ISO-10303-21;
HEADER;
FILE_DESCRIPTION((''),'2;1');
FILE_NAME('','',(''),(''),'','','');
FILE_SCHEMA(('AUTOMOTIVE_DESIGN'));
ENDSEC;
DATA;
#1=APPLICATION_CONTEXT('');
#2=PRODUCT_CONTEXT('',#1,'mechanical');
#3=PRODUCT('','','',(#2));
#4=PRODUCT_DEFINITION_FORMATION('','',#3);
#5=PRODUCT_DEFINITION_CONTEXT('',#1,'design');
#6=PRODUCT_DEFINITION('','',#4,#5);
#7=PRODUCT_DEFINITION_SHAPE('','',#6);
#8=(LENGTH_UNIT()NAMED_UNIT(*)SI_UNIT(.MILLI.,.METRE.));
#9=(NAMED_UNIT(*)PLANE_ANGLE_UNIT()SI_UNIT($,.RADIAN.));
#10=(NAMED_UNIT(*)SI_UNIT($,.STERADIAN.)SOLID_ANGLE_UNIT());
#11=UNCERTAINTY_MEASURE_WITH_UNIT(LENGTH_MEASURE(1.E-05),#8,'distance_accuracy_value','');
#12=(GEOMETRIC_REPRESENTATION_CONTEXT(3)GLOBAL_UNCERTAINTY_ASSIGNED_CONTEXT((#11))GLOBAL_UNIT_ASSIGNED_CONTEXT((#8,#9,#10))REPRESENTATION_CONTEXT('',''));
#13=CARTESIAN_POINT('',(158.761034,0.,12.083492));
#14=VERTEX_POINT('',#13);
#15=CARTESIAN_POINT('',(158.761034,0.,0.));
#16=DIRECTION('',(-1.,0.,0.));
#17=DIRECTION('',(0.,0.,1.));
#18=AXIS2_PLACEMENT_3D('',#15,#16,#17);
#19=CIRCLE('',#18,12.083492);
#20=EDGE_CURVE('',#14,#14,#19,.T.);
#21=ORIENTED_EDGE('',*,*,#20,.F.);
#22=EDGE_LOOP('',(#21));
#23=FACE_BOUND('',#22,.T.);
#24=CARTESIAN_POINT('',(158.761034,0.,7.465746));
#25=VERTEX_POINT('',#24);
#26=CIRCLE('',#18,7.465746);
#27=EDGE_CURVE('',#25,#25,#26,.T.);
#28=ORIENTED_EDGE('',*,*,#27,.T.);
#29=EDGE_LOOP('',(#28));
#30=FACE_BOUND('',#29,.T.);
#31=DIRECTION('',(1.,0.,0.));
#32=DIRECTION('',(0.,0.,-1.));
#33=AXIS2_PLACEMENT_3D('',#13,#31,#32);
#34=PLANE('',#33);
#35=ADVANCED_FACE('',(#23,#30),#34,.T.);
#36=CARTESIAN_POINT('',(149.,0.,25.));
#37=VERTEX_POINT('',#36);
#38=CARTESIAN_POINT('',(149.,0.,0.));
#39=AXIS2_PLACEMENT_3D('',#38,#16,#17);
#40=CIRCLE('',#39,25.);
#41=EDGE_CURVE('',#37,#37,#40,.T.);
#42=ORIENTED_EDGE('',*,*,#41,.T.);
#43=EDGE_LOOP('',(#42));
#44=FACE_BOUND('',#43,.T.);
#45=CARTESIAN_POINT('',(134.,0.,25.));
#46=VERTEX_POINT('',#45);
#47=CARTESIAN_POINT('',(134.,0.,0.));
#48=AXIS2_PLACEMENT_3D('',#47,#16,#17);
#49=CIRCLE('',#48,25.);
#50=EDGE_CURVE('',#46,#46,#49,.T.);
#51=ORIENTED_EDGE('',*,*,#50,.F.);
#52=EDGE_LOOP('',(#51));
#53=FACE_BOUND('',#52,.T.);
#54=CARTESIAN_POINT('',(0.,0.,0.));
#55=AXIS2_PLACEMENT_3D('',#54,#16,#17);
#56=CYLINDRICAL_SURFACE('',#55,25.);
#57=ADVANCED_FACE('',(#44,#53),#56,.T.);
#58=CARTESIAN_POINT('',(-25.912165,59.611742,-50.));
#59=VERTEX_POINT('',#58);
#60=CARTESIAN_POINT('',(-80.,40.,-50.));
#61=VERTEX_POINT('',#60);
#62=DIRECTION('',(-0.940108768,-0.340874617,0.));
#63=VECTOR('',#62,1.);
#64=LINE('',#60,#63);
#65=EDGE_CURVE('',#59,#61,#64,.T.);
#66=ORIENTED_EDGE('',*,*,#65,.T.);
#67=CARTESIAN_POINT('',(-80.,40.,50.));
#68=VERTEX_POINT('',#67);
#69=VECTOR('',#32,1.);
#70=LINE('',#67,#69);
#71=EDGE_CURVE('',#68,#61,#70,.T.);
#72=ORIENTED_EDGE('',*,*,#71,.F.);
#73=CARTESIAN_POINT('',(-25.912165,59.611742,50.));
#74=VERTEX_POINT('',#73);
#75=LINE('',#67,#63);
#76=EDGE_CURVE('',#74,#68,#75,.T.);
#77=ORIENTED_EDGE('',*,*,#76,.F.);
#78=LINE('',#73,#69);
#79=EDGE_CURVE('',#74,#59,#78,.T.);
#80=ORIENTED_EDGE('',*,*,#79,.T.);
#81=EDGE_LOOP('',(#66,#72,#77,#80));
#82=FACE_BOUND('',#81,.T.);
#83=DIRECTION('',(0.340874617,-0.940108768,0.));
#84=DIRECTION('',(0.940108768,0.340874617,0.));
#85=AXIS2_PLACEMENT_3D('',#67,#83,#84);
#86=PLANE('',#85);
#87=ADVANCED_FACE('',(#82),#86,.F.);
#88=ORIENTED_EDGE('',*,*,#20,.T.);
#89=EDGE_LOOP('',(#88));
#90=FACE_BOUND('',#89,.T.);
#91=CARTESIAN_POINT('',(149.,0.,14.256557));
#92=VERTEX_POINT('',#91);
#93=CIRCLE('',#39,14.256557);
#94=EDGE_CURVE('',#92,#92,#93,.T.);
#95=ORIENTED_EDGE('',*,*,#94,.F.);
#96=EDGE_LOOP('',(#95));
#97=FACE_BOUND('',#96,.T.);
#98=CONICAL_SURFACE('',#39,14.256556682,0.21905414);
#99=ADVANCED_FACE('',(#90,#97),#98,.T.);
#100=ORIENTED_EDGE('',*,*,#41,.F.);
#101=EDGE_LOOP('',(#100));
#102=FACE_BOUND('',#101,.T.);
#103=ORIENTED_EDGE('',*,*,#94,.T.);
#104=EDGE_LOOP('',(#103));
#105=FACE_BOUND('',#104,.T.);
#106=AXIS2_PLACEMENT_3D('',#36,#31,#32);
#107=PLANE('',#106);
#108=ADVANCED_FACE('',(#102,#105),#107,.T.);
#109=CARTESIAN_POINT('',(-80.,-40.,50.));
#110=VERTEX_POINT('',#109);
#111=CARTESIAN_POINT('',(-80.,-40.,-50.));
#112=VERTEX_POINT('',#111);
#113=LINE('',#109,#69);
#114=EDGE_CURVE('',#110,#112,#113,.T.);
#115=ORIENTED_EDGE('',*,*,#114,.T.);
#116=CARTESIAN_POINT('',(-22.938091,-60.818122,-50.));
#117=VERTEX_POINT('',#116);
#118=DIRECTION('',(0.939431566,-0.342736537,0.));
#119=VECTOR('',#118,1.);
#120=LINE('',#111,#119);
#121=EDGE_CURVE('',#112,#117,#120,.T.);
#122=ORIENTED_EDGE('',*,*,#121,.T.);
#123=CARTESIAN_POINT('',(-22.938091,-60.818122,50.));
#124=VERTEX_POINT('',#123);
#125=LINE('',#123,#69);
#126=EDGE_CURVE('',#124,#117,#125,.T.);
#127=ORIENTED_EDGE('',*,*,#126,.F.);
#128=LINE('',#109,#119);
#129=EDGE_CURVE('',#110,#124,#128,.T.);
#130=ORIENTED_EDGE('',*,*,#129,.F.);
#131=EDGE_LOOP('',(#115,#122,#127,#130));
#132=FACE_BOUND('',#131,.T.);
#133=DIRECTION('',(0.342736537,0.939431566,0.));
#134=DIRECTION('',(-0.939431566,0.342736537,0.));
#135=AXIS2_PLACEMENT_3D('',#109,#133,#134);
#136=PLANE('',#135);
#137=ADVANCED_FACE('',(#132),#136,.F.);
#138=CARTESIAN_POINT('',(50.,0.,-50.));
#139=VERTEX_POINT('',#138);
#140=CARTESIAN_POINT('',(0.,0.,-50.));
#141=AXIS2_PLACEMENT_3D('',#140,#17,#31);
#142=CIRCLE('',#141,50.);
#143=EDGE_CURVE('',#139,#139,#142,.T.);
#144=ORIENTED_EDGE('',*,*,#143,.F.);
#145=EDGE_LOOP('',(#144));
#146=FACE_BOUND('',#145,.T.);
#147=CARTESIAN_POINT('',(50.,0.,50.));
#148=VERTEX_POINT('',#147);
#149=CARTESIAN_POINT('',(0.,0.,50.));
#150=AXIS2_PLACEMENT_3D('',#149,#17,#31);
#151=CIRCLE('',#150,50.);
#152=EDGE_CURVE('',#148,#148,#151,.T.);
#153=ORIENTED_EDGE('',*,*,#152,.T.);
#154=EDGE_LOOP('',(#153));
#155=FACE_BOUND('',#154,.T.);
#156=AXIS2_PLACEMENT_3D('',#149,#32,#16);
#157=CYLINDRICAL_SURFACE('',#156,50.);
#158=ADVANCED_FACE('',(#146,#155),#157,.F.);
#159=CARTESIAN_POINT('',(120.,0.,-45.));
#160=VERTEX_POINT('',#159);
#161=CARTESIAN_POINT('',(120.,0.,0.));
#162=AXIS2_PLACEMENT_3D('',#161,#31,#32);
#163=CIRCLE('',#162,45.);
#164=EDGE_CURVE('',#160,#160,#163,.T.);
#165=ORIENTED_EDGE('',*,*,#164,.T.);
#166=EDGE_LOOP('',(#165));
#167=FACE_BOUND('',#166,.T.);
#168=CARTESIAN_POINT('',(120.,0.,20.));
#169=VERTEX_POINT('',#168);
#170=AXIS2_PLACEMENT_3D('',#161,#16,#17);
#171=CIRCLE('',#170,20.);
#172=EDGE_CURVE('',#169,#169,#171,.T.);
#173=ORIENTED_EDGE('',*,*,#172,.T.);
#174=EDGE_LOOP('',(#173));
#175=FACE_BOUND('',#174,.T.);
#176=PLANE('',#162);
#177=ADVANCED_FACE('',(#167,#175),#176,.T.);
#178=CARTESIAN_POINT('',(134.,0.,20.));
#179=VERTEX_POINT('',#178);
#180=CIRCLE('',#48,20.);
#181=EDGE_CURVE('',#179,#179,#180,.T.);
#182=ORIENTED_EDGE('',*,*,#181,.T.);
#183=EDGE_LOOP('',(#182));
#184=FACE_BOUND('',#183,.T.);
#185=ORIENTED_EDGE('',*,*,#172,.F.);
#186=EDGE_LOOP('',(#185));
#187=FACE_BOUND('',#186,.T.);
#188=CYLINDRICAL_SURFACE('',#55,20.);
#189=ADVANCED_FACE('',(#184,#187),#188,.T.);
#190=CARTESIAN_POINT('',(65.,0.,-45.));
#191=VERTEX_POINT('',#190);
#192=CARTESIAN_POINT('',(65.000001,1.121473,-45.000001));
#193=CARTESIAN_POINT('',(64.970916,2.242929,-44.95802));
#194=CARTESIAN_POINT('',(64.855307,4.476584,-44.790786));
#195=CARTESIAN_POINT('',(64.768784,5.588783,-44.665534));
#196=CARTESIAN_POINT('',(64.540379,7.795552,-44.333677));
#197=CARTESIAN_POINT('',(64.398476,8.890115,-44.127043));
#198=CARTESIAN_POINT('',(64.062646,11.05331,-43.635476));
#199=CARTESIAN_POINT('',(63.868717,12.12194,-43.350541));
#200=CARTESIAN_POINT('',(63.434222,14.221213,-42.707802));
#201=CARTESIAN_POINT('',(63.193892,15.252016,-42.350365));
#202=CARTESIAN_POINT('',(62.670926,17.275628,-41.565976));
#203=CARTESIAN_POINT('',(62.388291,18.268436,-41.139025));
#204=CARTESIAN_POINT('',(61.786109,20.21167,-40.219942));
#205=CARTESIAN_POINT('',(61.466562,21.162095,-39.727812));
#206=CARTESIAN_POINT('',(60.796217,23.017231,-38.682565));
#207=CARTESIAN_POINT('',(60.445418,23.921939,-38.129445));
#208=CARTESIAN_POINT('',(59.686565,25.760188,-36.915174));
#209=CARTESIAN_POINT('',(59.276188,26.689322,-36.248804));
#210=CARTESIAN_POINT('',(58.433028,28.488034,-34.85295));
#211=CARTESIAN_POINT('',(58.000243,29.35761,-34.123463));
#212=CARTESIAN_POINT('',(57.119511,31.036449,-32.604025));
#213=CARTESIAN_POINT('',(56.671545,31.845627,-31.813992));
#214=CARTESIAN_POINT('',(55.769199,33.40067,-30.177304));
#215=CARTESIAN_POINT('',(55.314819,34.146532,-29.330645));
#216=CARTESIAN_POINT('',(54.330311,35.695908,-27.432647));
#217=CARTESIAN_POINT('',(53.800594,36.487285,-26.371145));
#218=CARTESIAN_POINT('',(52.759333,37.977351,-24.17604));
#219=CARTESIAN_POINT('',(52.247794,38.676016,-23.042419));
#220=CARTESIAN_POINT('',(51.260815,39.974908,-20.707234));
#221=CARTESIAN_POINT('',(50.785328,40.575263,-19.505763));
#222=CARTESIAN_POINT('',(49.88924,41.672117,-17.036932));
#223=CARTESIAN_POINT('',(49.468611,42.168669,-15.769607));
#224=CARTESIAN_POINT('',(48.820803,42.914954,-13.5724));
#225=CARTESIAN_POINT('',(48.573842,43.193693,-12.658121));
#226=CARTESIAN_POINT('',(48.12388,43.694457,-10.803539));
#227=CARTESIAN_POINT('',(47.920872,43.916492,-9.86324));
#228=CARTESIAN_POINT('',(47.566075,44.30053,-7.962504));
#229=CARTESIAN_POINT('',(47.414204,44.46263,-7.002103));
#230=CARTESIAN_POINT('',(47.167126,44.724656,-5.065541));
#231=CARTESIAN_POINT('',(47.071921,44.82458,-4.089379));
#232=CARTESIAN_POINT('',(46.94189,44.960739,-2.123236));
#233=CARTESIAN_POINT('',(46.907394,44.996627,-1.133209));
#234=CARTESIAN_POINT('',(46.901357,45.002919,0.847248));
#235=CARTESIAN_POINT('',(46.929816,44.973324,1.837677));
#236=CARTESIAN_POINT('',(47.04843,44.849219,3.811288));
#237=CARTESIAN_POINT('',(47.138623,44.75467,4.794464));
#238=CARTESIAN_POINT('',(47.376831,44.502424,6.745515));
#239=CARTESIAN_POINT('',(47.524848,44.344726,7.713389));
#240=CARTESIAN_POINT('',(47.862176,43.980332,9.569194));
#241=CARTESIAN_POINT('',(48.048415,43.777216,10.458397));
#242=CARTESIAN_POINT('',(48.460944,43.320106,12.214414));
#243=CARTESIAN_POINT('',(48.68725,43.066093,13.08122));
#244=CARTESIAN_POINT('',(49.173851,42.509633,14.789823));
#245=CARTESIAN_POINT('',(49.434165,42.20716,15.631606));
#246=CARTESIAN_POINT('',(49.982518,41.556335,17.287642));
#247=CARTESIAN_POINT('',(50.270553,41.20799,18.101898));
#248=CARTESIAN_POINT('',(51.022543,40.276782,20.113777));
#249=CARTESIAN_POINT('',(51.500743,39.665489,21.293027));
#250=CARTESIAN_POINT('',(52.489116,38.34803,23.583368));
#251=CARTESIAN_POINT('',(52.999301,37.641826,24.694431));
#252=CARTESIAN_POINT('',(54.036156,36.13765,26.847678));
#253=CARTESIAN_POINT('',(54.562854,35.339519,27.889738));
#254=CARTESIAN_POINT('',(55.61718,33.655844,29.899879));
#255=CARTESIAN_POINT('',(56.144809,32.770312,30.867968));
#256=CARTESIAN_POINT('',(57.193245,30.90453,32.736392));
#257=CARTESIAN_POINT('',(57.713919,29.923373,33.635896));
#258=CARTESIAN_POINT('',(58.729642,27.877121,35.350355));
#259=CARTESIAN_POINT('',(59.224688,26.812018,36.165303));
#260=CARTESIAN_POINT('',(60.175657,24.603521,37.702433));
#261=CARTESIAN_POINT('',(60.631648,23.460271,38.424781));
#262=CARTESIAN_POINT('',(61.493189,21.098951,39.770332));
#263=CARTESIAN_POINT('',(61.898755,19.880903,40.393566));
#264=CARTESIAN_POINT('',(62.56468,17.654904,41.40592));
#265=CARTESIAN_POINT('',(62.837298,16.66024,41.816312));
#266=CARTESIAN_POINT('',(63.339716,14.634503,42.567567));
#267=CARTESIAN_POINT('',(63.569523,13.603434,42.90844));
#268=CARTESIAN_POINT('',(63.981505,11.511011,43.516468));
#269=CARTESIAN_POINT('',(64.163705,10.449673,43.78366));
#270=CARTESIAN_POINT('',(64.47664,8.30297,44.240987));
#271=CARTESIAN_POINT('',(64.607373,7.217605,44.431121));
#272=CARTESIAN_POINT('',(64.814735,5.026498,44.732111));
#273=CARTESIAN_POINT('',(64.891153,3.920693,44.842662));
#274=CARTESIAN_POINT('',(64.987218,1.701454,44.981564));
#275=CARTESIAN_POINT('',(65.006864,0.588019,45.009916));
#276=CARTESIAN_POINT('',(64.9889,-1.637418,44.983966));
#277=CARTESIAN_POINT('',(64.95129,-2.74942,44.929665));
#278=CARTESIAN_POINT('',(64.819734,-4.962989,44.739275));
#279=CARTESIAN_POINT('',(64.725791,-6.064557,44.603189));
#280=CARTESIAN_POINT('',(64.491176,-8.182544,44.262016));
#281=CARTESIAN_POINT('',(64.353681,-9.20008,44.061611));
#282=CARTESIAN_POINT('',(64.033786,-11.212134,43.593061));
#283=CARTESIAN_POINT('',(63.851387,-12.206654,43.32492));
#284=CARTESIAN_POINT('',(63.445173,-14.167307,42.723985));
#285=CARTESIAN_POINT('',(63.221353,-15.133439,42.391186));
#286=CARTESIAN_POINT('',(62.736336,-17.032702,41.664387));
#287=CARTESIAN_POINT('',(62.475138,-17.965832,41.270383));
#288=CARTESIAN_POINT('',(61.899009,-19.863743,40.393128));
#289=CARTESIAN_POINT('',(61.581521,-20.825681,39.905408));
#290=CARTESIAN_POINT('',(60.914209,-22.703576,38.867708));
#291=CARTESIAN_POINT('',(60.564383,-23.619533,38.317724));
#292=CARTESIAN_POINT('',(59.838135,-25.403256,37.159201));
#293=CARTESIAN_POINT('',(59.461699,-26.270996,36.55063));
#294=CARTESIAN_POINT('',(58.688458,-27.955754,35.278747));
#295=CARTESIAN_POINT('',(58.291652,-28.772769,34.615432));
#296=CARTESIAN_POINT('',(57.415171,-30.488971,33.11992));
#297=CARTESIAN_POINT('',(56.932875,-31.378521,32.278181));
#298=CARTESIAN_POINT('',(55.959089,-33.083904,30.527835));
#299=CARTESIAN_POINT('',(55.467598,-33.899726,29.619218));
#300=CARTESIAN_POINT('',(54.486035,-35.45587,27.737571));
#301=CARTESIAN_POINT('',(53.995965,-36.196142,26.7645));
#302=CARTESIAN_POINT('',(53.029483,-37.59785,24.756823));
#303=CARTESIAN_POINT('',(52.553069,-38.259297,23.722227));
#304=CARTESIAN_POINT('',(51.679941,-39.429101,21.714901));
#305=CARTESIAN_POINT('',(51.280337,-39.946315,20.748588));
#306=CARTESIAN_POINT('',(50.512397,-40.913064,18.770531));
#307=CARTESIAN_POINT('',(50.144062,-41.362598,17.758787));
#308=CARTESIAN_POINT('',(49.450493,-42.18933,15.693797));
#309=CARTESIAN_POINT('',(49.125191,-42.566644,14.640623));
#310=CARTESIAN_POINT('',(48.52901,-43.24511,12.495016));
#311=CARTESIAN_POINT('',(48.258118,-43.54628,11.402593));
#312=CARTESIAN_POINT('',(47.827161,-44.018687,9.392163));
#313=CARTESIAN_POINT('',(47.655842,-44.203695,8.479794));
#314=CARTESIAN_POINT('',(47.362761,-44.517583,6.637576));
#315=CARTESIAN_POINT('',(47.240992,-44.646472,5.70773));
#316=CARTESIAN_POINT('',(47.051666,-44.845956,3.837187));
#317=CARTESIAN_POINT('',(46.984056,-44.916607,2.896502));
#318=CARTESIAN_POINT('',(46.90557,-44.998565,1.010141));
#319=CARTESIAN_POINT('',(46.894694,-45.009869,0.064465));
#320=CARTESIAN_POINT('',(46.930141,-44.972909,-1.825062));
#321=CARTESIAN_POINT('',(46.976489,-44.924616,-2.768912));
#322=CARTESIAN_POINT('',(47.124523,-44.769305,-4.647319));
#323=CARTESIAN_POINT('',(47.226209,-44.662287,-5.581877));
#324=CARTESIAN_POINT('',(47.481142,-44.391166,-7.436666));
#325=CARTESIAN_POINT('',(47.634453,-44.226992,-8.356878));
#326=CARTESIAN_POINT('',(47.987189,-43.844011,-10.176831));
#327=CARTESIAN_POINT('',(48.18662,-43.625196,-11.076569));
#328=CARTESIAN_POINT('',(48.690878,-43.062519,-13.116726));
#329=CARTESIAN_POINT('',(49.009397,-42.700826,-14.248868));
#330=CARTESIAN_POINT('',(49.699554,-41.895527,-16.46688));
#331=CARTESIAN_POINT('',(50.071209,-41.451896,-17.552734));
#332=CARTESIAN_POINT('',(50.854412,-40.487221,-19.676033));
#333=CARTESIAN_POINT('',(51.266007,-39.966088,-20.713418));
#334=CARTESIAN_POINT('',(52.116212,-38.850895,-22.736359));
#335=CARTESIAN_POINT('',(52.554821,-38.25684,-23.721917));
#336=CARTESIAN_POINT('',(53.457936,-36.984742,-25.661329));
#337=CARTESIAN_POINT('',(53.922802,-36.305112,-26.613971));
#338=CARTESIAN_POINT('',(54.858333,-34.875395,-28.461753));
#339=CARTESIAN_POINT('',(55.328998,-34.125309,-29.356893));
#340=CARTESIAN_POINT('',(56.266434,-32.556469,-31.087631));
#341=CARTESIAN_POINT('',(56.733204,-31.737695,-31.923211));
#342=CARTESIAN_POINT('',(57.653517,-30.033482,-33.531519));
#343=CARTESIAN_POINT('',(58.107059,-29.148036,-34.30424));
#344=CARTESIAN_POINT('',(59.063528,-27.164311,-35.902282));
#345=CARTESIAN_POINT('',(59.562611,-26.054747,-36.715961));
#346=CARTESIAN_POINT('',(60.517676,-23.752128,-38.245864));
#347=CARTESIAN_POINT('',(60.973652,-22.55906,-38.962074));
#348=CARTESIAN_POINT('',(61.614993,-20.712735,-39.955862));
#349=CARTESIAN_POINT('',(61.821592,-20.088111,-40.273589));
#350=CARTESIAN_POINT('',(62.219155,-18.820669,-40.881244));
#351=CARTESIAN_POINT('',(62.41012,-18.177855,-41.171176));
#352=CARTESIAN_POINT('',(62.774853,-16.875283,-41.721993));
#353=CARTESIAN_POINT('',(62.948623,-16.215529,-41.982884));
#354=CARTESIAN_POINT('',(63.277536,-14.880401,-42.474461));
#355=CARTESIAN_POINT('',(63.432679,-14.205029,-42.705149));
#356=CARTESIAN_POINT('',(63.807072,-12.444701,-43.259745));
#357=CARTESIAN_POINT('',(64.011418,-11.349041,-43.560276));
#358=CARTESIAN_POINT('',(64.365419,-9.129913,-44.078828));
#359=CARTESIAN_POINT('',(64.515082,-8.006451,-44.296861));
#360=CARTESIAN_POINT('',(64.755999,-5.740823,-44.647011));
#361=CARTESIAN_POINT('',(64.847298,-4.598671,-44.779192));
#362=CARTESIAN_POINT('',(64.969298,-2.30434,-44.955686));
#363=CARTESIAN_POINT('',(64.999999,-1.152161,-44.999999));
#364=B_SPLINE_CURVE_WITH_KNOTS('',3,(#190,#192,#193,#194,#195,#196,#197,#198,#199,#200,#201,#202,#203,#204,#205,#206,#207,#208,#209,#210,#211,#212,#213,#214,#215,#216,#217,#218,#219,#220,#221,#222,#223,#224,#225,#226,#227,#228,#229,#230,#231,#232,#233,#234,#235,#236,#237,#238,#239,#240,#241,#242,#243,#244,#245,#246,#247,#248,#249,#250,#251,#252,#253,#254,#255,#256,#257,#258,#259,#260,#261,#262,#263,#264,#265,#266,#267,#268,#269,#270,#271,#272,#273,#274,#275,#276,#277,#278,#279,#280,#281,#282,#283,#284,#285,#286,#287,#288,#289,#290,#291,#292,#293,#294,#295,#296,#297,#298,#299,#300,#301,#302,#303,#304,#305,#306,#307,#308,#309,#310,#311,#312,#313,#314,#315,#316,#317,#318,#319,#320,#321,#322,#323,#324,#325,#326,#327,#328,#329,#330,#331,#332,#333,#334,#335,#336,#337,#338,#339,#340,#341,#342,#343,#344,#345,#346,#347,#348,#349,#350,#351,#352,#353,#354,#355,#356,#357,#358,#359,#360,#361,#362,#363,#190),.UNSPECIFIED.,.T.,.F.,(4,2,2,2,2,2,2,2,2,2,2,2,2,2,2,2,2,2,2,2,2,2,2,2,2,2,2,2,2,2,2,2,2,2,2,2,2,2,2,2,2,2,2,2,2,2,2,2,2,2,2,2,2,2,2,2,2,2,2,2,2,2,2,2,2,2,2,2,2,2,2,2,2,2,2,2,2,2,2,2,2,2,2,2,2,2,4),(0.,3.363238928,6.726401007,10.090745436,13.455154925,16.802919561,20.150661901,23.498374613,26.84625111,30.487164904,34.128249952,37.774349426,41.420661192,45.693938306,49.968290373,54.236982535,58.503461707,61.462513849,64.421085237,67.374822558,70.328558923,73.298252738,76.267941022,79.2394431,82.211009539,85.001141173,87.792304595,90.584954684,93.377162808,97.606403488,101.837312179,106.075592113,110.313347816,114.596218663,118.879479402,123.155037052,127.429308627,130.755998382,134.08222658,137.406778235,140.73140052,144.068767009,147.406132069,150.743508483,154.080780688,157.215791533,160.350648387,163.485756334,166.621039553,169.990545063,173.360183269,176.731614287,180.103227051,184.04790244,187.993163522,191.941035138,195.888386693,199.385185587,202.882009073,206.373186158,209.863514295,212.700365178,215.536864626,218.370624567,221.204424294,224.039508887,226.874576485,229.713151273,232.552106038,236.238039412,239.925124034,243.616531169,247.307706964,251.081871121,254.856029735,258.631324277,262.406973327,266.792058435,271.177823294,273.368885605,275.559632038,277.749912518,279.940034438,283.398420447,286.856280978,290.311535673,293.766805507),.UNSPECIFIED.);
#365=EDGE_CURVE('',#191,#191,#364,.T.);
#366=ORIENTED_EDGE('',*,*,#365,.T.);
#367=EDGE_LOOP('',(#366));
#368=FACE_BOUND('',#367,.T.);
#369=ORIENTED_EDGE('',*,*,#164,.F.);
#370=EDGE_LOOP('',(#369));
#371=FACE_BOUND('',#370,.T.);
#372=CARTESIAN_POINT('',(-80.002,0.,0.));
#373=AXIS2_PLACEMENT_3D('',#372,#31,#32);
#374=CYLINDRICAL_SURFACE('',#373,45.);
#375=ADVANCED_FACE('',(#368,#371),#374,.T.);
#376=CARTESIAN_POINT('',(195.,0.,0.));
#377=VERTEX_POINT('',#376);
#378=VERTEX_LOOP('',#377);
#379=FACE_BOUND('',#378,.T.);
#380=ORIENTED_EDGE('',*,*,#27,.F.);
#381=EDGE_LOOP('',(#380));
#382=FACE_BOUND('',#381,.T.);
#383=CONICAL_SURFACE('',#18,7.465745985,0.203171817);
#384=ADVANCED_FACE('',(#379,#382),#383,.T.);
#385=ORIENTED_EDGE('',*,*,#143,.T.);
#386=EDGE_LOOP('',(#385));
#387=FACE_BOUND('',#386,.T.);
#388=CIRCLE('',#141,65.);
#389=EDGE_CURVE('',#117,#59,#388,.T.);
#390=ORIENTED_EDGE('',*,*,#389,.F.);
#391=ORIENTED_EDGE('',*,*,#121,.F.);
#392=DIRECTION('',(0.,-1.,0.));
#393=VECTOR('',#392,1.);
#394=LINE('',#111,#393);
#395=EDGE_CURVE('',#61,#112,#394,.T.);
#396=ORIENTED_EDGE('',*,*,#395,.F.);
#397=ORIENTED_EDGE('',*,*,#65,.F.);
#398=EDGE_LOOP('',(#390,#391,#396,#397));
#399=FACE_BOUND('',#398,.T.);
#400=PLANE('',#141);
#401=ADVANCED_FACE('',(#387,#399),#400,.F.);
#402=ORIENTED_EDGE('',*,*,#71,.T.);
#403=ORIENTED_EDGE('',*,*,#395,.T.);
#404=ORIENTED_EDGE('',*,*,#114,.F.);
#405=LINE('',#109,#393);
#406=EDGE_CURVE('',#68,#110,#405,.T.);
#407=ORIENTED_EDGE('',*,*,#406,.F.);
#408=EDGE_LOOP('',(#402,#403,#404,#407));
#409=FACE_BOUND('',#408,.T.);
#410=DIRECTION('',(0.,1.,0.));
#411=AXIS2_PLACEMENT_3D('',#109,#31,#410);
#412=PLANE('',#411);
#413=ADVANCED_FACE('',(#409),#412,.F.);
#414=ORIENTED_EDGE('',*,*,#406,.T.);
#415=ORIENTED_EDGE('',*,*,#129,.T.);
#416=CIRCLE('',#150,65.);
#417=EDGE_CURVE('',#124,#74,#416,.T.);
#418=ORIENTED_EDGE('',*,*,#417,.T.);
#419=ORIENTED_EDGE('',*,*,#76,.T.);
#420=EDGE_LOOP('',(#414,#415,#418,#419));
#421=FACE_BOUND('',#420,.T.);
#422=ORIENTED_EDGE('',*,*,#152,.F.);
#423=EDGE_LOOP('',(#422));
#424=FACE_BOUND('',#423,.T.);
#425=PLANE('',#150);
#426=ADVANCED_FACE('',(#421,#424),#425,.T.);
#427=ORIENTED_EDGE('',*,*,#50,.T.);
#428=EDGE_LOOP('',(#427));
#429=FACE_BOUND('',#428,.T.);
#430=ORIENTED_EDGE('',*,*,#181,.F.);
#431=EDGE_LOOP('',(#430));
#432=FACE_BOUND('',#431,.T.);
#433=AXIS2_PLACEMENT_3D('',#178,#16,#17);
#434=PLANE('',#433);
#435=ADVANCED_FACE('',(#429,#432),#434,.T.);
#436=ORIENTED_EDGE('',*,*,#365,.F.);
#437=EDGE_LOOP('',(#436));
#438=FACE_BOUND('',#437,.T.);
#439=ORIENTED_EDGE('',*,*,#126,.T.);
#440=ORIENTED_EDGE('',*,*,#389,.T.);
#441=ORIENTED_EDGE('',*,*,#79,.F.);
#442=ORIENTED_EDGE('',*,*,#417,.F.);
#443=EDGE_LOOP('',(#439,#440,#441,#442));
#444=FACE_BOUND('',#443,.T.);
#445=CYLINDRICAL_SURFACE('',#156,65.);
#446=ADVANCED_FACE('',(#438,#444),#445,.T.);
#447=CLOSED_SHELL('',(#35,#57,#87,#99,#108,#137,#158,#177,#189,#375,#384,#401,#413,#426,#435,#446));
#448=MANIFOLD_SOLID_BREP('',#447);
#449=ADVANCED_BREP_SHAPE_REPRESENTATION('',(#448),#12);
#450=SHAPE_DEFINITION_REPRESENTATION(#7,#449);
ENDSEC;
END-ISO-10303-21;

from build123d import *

# Parameters (mm, degrees)
SKETCH1_R           = 50
BOSS_EXTRUDE1_DEPTH = 50
BOSS_EXTRUDE2_REACH = 202
SKETCH2_R           = 45


with BuildPart() as part:
    # Sketch1 → Boss-Extrude1 (new body, symmetric)
    with BuildSketch(Plane.XY):
        with BuildLine():
            Line((-80, -40), (-80, 40))
            Line((-80, 40), (-25.912164589, 59.611741514))
            ThreePointArc((-25.912164589, 59.611741514), (64.980188395, 1.604716841), (-22.938091494, -60.818121959))
            Line((-22.938091494, -60.818121959), (-80, -40))
        make_face()
        Circle(SKETCH1_R, mode=Mode.SUBTRACT)
    extrude(amount=BOSS_EXTRUDE1_DEPTH, both=True)

    # Sketch2 → Boss-Extrude2 (add, up to next)
    with BuildSketch(Plane(origin=(120, 0, 0), x_dir=(0, 0, -1), z_dir=(1, 0, 0)), mode=Mode.PRIVATE) as boss_extrude2_sk1:
        Circle(SKETCH2_R)
    boss_extrude2_tool1 = extrude(boss_extrude2_sk1.sketch, amount=-BOSS_EXTRUDE2_REACH, mode=Mode.PRIVATE) - part.part
    add(boss_extrude2_tool1.solids().sort_by_distance((120, 0, 0))[0])

    # Sketch4 → Revolve2 (revolve)
    with BuildSketch(Plane(origin=(0, 0, 0), x_dir=(1, 0, 0), z_dir=(0, 1, 0))):
        Polygon((120, 0), (195, 0), (158.761034274, -7.465745985), (158.761034274, -12.083492049), (149, -14.256556682), (149, -25), (134, -25), (134, -20), (120, -20), align=None)
    revolve(axis=Axis((0, 0, 0), (1, 0, 0)))


solid = part.part
